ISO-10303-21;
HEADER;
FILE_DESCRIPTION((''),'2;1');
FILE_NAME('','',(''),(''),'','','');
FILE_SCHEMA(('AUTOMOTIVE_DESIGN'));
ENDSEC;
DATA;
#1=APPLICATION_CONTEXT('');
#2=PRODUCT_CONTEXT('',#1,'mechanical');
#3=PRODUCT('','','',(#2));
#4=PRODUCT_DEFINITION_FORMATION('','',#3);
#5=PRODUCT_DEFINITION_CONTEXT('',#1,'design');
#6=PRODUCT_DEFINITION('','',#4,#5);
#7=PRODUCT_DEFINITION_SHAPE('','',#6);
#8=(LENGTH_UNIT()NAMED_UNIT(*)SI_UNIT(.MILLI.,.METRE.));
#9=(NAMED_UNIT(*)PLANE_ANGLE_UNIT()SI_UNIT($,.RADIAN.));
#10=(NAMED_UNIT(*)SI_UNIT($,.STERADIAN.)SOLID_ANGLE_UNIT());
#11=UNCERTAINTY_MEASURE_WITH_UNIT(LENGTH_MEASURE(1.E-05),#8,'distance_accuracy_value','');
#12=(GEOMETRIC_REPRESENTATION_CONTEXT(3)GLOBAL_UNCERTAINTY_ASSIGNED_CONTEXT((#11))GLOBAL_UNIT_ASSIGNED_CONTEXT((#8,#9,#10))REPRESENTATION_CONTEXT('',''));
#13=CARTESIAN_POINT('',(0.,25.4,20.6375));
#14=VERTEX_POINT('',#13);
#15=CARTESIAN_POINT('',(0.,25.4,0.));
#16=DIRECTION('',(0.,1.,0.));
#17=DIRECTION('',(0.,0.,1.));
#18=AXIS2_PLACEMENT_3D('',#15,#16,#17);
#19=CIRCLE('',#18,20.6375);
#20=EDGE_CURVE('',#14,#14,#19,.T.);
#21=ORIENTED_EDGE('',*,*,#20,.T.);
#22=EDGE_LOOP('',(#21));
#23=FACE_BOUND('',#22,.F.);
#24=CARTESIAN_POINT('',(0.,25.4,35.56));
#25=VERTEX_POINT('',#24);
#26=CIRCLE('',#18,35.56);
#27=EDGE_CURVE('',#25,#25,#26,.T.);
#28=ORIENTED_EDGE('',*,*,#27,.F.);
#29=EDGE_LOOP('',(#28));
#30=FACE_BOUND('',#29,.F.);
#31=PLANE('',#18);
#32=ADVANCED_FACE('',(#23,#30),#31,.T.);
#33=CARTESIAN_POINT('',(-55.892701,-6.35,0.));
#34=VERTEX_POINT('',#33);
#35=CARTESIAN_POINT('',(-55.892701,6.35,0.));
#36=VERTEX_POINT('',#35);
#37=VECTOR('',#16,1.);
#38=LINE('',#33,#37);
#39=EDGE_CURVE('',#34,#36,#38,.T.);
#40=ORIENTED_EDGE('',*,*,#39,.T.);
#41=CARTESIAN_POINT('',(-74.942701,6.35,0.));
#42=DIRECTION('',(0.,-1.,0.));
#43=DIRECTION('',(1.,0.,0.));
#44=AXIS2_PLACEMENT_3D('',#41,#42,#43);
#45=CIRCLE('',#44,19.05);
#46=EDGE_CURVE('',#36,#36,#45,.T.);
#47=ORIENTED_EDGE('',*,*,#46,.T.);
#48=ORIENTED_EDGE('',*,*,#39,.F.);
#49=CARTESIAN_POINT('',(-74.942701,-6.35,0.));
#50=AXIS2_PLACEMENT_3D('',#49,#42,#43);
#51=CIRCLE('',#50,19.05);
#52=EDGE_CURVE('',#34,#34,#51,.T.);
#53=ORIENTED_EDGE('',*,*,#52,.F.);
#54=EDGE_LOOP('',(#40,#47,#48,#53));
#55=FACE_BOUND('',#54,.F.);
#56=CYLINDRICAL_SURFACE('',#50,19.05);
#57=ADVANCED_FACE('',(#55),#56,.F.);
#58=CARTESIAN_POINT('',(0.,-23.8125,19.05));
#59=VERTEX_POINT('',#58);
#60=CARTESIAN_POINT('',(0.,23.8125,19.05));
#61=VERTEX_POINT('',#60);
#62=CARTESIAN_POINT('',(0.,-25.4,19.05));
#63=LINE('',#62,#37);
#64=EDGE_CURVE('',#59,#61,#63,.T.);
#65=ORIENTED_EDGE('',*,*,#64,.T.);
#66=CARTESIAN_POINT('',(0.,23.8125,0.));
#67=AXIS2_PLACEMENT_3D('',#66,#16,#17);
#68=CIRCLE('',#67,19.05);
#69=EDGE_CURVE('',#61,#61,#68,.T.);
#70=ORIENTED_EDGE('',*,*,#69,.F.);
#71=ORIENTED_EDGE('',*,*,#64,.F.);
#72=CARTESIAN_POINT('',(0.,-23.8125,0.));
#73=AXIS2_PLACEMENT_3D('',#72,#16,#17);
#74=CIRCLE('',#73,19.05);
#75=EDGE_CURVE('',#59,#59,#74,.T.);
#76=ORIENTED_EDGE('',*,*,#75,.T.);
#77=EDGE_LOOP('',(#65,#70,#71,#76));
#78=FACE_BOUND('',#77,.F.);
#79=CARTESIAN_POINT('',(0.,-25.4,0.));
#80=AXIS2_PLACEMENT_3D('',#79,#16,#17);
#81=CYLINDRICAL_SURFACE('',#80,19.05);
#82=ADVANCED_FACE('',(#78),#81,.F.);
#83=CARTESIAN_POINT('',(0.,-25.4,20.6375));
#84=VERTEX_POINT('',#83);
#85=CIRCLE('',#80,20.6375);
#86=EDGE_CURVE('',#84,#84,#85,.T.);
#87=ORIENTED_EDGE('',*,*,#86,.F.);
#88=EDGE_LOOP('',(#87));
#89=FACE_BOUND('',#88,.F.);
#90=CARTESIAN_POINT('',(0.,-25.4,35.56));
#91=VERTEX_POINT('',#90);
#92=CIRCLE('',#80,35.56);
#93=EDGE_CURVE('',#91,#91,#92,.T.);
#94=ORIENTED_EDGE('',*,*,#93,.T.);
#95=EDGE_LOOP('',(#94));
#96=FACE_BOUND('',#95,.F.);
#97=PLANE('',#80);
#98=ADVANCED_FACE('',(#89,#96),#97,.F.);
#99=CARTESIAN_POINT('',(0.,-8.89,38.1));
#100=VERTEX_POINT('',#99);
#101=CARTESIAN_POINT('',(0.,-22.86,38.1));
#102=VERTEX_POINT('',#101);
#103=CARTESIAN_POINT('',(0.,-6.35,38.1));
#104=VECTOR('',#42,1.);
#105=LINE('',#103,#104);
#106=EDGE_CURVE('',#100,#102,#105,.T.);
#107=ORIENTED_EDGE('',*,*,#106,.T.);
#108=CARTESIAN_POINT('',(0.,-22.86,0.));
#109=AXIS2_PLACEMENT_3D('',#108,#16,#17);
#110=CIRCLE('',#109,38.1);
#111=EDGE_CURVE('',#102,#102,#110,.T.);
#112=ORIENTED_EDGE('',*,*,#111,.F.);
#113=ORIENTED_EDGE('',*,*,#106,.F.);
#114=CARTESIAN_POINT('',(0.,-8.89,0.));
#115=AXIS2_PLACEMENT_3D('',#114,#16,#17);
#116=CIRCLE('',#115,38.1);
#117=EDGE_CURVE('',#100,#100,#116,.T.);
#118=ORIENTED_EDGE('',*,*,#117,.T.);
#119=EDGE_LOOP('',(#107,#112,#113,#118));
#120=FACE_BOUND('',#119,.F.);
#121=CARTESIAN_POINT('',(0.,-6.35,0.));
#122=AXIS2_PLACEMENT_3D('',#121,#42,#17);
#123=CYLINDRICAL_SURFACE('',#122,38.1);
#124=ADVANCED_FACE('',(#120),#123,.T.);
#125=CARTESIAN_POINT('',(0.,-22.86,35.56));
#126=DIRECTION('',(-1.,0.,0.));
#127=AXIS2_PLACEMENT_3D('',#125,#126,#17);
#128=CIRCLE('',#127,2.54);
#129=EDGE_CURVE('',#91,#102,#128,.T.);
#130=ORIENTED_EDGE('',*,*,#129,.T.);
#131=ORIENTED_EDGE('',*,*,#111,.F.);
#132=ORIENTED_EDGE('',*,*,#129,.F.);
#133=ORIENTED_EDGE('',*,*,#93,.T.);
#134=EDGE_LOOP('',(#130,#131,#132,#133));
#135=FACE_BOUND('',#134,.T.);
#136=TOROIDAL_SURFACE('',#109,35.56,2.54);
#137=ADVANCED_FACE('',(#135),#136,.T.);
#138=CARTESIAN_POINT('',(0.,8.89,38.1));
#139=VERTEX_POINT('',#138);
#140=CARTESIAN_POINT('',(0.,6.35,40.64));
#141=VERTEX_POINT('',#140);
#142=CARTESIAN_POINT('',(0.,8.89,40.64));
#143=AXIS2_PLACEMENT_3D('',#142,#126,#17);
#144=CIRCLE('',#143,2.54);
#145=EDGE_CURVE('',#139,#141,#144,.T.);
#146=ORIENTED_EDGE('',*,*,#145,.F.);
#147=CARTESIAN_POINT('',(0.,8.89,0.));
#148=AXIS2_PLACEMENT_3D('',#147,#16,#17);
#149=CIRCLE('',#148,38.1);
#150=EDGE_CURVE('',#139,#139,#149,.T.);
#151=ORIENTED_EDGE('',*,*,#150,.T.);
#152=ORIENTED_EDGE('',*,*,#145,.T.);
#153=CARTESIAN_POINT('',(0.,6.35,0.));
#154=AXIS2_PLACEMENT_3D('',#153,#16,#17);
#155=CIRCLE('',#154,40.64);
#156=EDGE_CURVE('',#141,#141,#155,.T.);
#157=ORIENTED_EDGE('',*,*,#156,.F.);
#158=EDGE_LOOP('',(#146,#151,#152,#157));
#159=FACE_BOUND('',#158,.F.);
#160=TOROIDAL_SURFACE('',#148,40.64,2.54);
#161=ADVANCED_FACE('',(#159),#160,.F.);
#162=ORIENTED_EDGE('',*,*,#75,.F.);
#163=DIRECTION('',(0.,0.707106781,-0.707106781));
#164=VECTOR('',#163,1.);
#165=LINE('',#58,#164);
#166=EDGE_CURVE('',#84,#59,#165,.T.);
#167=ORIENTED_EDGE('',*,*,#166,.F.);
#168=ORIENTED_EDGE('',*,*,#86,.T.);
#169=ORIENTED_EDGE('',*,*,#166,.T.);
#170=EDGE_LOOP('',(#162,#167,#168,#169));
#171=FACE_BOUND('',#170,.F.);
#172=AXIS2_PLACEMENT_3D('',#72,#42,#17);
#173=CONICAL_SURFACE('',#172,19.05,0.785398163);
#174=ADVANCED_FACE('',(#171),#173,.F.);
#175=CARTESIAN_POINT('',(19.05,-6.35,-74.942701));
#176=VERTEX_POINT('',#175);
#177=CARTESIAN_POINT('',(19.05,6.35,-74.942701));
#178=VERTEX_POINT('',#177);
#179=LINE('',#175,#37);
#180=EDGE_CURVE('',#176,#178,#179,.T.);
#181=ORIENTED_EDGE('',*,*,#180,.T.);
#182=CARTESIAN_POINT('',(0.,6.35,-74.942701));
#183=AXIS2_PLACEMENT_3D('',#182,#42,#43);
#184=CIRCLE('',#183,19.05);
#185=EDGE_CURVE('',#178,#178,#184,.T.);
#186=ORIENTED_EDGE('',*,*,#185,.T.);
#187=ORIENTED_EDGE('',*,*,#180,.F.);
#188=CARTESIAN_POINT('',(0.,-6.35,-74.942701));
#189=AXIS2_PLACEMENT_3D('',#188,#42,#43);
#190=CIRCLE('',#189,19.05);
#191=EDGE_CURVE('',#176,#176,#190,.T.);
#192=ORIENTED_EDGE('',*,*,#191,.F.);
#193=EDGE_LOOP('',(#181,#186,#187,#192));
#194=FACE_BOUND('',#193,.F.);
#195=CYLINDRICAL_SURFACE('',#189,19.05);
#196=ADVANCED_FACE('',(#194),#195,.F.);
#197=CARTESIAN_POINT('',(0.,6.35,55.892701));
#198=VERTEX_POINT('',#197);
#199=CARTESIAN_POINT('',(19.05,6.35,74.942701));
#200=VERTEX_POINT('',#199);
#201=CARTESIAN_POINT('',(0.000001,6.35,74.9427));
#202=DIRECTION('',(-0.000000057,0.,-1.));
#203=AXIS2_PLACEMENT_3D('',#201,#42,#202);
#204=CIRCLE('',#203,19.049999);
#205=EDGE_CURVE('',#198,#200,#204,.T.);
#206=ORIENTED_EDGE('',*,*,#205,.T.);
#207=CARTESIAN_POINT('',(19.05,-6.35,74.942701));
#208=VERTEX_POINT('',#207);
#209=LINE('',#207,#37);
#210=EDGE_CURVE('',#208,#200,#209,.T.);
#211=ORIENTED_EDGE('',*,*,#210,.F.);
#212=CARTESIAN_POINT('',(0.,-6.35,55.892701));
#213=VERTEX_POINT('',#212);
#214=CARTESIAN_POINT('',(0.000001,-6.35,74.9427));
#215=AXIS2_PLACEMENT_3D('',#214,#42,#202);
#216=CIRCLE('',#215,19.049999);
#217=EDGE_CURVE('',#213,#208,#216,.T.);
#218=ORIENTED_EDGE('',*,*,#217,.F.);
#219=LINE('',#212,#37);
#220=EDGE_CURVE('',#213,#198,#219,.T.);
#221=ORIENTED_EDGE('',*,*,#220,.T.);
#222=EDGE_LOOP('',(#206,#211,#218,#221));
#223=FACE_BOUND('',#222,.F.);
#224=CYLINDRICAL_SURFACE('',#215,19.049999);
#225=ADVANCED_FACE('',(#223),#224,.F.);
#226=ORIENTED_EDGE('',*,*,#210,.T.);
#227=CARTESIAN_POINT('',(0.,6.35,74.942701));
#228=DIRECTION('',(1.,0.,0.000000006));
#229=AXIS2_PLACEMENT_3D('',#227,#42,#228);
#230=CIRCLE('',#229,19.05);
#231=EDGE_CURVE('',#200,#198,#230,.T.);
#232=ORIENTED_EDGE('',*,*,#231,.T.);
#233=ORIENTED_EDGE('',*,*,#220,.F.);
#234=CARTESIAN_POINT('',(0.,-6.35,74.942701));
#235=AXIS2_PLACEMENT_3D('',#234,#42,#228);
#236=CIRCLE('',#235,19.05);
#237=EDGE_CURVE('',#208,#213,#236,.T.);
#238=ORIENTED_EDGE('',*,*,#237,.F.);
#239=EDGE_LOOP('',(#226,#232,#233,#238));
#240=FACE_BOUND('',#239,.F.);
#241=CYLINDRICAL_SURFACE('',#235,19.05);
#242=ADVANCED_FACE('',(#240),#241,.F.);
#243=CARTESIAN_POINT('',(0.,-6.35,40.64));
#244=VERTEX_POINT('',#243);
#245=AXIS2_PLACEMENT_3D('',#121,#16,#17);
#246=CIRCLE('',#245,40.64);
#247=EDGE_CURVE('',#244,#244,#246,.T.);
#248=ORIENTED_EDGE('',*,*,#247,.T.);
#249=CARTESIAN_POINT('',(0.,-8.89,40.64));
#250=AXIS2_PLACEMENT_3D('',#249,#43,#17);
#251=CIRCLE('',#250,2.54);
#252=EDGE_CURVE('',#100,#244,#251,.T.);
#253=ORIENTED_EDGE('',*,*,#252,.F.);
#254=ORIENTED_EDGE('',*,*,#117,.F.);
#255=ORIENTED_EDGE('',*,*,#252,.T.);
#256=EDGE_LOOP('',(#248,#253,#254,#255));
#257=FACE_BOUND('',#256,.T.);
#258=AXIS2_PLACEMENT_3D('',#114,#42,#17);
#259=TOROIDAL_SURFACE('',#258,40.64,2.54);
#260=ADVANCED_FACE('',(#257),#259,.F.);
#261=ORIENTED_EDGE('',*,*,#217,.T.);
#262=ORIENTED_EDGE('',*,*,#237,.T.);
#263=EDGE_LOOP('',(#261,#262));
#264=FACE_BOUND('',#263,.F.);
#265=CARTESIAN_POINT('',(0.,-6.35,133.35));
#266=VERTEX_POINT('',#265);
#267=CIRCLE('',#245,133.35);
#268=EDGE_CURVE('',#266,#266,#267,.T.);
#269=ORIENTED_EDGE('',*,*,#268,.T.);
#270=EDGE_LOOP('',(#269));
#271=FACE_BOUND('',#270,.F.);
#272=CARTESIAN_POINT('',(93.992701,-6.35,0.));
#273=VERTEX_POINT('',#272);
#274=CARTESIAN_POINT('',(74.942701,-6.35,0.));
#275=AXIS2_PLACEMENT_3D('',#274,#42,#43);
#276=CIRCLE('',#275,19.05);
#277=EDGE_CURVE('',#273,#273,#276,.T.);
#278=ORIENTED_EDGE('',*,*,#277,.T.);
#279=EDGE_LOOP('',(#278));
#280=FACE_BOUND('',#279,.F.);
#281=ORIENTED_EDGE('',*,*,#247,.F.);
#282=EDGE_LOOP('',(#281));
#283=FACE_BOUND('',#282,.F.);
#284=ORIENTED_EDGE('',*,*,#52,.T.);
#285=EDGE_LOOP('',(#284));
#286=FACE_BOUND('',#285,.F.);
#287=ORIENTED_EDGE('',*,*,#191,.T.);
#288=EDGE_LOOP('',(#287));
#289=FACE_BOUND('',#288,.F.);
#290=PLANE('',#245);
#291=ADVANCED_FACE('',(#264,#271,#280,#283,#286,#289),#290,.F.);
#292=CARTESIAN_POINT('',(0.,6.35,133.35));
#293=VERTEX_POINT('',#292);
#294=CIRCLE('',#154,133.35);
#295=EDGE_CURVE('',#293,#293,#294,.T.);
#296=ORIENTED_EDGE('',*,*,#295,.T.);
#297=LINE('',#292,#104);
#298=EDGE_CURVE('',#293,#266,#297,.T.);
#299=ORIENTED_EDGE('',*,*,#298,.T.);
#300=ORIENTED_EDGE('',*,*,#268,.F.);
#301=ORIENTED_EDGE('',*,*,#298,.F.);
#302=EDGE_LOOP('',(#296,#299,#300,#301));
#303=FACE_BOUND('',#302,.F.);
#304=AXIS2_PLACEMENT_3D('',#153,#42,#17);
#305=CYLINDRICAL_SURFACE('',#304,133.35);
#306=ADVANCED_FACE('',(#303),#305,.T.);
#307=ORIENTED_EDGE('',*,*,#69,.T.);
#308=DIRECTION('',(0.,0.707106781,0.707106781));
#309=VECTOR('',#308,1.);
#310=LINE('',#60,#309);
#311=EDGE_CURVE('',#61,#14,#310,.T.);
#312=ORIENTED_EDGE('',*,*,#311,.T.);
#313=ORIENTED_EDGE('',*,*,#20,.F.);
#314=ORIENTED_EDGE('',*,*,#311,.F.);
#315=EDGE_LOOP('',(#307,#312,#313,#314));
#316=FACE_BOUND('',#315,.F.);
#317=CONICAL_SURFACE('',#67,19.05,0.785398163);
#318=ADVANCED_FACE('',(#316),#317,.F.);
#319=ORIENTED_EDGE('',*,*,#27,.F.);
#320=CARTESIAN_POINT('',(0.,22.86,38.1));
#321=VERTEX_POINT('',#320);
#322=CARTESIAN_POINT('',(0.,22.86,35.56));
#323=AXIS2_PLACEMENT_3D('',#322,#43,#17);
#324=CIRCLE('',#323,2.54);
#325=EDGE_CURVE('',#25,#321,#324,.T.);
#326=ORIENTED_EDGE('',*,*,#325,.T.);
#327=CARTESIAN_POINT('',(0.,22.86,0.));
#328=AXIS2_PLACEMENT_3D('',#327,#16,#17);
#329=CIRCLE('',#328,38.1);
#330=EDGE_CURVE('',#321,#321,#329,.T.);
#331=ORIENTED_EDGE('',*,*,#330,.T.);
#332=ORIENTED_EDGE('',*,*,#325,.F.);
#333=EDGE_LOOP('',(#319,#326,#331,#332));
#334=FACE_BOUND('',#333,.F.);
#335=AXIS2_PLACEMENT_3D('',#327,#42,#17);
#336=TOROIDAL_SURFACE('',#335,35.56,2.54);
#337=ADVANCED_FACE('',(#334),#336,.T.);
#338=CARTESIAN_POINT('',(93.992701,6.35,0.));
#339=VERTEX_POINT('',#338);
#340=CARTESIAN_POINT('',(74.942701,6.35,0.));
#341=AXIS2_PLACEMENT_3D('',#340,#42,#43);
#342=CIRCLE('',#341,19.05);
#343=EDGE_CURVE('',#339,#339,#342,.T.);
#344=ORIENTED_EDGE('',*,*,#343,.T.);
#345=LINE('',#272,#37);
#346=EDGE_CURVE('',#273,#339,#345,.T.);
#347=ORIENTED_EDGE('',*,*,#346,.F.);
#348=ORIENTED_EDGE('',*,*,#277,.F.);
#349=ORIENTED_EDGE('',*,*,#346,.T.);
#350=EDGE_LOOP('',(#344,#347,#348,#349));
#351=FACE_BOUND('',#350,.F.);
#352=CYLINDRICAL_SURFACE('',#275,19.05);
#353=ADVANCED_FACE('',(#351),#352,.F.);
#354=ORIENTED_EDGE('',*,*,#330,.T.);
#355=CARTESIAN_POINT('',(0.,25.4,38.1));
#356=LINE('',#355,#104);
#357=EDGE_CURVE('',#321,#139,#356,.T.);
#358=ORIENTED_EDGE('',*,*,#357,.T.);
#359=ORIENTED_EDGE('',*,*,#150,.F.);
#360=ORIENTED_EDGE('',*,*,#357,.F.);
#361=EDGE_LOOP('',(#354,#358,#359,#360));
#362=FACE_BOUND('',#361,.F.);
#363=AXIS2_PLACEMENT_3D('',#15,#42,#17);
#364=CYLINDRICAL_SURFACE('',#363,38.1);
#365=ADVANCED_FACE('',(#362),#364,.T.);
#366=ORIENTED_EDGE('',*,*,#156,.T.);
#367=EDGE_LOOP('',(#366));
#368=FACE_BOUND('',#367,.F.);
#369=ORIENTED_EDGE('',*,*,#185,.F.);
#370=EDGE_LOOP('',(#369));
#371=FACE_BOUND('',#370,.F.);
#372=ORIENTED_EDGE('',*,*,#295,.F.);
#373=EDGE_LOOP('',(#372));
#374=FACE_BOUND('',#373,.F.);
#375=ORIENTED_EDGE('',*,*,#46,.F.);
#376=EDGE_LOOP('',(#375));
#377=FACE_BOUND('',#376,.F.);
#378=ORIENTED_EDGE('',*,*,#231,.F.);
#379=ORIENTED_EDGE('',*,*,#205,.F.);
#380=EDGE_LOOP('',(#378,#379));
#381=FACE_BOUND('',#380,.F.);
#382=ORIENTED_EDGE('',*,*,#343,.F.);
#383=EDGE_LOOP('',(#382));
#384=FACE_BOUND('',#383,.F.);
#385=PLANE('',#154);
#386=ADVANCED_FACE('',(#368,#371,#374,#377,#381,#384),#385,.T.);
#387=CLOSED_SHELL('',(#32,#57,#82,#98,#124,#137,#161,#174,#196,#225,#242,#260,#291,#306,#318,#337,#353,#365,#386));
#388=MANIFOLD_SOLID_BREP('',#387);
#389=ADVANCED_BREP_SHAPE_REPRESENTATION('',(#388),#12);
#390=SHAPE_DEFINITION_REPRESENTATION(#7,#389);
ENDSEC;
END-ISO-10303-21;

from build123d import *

# Parameters (mm, degrees)
F2_R     = 19.05
F3_DEPTH = 25.4
F4_R     = 2.54
F5_SIZE  = 1.5875


with BuildPart() as f1:
    # F0 (on Right) → F1 (revolve)
    with BuildSketch(Plane.YZ):
        Polygon((-25.4, 19.05), (0, 19.05), (25.4, 19.05), (25.4, 38.1), (6.35, 38.1), (6.35, 107.95), (6.35, 133.35), (0, 133.35), (-6.35, 133.35), (-6.35, 38.1), (-25.4, 38.1), align=None)
    revolve(axis=Axis((0, 38.3921, 0), (0, 1, 0)))

    # F2 (on face) → F3 (cut)
    with BuildSketch(Plane.XZ.offset(6.35)):
        with BuildLine():
            ThreePointArc((19.05, 74.942701), (-13.470384, 88.413085), (0, 55.892701))
            ThreePointArc((0, 55.892701), (13.470384, 61.472316), (19.05, 74.942701))
        make_face()
        with Locations((-74.942701, 0)):
            Circle(F2_R)
        with Locations((0, -74.942701)):
            Circle(F2_R)
        with Locations((74.942701, 0)):
            Circle(F2_R)
    extrude(amount=-F3_DEPTH, mode=Mode.SUBTRACT)

    # F4
    f4_edges = [f1.edges().sort_by_distance(p)[0] for p in [
        (0, -6.35, -38.1),
        (0, -25.4, -38.1),
        (0, 6.35, -38.1),
        (0, 25.4, -38.1),
    ]]
    fillet(f4_edges, radius=F4_R)

    # F5
    f5_edges = [f1.edges().sort_by_distance(p)[0] for p in [
        (0, -25.4, -19.05),
        (0, 25.4, -19.05),
    ]]
    chamfer(f5_edges, length=F5_SIZE)


solid = f1.part
